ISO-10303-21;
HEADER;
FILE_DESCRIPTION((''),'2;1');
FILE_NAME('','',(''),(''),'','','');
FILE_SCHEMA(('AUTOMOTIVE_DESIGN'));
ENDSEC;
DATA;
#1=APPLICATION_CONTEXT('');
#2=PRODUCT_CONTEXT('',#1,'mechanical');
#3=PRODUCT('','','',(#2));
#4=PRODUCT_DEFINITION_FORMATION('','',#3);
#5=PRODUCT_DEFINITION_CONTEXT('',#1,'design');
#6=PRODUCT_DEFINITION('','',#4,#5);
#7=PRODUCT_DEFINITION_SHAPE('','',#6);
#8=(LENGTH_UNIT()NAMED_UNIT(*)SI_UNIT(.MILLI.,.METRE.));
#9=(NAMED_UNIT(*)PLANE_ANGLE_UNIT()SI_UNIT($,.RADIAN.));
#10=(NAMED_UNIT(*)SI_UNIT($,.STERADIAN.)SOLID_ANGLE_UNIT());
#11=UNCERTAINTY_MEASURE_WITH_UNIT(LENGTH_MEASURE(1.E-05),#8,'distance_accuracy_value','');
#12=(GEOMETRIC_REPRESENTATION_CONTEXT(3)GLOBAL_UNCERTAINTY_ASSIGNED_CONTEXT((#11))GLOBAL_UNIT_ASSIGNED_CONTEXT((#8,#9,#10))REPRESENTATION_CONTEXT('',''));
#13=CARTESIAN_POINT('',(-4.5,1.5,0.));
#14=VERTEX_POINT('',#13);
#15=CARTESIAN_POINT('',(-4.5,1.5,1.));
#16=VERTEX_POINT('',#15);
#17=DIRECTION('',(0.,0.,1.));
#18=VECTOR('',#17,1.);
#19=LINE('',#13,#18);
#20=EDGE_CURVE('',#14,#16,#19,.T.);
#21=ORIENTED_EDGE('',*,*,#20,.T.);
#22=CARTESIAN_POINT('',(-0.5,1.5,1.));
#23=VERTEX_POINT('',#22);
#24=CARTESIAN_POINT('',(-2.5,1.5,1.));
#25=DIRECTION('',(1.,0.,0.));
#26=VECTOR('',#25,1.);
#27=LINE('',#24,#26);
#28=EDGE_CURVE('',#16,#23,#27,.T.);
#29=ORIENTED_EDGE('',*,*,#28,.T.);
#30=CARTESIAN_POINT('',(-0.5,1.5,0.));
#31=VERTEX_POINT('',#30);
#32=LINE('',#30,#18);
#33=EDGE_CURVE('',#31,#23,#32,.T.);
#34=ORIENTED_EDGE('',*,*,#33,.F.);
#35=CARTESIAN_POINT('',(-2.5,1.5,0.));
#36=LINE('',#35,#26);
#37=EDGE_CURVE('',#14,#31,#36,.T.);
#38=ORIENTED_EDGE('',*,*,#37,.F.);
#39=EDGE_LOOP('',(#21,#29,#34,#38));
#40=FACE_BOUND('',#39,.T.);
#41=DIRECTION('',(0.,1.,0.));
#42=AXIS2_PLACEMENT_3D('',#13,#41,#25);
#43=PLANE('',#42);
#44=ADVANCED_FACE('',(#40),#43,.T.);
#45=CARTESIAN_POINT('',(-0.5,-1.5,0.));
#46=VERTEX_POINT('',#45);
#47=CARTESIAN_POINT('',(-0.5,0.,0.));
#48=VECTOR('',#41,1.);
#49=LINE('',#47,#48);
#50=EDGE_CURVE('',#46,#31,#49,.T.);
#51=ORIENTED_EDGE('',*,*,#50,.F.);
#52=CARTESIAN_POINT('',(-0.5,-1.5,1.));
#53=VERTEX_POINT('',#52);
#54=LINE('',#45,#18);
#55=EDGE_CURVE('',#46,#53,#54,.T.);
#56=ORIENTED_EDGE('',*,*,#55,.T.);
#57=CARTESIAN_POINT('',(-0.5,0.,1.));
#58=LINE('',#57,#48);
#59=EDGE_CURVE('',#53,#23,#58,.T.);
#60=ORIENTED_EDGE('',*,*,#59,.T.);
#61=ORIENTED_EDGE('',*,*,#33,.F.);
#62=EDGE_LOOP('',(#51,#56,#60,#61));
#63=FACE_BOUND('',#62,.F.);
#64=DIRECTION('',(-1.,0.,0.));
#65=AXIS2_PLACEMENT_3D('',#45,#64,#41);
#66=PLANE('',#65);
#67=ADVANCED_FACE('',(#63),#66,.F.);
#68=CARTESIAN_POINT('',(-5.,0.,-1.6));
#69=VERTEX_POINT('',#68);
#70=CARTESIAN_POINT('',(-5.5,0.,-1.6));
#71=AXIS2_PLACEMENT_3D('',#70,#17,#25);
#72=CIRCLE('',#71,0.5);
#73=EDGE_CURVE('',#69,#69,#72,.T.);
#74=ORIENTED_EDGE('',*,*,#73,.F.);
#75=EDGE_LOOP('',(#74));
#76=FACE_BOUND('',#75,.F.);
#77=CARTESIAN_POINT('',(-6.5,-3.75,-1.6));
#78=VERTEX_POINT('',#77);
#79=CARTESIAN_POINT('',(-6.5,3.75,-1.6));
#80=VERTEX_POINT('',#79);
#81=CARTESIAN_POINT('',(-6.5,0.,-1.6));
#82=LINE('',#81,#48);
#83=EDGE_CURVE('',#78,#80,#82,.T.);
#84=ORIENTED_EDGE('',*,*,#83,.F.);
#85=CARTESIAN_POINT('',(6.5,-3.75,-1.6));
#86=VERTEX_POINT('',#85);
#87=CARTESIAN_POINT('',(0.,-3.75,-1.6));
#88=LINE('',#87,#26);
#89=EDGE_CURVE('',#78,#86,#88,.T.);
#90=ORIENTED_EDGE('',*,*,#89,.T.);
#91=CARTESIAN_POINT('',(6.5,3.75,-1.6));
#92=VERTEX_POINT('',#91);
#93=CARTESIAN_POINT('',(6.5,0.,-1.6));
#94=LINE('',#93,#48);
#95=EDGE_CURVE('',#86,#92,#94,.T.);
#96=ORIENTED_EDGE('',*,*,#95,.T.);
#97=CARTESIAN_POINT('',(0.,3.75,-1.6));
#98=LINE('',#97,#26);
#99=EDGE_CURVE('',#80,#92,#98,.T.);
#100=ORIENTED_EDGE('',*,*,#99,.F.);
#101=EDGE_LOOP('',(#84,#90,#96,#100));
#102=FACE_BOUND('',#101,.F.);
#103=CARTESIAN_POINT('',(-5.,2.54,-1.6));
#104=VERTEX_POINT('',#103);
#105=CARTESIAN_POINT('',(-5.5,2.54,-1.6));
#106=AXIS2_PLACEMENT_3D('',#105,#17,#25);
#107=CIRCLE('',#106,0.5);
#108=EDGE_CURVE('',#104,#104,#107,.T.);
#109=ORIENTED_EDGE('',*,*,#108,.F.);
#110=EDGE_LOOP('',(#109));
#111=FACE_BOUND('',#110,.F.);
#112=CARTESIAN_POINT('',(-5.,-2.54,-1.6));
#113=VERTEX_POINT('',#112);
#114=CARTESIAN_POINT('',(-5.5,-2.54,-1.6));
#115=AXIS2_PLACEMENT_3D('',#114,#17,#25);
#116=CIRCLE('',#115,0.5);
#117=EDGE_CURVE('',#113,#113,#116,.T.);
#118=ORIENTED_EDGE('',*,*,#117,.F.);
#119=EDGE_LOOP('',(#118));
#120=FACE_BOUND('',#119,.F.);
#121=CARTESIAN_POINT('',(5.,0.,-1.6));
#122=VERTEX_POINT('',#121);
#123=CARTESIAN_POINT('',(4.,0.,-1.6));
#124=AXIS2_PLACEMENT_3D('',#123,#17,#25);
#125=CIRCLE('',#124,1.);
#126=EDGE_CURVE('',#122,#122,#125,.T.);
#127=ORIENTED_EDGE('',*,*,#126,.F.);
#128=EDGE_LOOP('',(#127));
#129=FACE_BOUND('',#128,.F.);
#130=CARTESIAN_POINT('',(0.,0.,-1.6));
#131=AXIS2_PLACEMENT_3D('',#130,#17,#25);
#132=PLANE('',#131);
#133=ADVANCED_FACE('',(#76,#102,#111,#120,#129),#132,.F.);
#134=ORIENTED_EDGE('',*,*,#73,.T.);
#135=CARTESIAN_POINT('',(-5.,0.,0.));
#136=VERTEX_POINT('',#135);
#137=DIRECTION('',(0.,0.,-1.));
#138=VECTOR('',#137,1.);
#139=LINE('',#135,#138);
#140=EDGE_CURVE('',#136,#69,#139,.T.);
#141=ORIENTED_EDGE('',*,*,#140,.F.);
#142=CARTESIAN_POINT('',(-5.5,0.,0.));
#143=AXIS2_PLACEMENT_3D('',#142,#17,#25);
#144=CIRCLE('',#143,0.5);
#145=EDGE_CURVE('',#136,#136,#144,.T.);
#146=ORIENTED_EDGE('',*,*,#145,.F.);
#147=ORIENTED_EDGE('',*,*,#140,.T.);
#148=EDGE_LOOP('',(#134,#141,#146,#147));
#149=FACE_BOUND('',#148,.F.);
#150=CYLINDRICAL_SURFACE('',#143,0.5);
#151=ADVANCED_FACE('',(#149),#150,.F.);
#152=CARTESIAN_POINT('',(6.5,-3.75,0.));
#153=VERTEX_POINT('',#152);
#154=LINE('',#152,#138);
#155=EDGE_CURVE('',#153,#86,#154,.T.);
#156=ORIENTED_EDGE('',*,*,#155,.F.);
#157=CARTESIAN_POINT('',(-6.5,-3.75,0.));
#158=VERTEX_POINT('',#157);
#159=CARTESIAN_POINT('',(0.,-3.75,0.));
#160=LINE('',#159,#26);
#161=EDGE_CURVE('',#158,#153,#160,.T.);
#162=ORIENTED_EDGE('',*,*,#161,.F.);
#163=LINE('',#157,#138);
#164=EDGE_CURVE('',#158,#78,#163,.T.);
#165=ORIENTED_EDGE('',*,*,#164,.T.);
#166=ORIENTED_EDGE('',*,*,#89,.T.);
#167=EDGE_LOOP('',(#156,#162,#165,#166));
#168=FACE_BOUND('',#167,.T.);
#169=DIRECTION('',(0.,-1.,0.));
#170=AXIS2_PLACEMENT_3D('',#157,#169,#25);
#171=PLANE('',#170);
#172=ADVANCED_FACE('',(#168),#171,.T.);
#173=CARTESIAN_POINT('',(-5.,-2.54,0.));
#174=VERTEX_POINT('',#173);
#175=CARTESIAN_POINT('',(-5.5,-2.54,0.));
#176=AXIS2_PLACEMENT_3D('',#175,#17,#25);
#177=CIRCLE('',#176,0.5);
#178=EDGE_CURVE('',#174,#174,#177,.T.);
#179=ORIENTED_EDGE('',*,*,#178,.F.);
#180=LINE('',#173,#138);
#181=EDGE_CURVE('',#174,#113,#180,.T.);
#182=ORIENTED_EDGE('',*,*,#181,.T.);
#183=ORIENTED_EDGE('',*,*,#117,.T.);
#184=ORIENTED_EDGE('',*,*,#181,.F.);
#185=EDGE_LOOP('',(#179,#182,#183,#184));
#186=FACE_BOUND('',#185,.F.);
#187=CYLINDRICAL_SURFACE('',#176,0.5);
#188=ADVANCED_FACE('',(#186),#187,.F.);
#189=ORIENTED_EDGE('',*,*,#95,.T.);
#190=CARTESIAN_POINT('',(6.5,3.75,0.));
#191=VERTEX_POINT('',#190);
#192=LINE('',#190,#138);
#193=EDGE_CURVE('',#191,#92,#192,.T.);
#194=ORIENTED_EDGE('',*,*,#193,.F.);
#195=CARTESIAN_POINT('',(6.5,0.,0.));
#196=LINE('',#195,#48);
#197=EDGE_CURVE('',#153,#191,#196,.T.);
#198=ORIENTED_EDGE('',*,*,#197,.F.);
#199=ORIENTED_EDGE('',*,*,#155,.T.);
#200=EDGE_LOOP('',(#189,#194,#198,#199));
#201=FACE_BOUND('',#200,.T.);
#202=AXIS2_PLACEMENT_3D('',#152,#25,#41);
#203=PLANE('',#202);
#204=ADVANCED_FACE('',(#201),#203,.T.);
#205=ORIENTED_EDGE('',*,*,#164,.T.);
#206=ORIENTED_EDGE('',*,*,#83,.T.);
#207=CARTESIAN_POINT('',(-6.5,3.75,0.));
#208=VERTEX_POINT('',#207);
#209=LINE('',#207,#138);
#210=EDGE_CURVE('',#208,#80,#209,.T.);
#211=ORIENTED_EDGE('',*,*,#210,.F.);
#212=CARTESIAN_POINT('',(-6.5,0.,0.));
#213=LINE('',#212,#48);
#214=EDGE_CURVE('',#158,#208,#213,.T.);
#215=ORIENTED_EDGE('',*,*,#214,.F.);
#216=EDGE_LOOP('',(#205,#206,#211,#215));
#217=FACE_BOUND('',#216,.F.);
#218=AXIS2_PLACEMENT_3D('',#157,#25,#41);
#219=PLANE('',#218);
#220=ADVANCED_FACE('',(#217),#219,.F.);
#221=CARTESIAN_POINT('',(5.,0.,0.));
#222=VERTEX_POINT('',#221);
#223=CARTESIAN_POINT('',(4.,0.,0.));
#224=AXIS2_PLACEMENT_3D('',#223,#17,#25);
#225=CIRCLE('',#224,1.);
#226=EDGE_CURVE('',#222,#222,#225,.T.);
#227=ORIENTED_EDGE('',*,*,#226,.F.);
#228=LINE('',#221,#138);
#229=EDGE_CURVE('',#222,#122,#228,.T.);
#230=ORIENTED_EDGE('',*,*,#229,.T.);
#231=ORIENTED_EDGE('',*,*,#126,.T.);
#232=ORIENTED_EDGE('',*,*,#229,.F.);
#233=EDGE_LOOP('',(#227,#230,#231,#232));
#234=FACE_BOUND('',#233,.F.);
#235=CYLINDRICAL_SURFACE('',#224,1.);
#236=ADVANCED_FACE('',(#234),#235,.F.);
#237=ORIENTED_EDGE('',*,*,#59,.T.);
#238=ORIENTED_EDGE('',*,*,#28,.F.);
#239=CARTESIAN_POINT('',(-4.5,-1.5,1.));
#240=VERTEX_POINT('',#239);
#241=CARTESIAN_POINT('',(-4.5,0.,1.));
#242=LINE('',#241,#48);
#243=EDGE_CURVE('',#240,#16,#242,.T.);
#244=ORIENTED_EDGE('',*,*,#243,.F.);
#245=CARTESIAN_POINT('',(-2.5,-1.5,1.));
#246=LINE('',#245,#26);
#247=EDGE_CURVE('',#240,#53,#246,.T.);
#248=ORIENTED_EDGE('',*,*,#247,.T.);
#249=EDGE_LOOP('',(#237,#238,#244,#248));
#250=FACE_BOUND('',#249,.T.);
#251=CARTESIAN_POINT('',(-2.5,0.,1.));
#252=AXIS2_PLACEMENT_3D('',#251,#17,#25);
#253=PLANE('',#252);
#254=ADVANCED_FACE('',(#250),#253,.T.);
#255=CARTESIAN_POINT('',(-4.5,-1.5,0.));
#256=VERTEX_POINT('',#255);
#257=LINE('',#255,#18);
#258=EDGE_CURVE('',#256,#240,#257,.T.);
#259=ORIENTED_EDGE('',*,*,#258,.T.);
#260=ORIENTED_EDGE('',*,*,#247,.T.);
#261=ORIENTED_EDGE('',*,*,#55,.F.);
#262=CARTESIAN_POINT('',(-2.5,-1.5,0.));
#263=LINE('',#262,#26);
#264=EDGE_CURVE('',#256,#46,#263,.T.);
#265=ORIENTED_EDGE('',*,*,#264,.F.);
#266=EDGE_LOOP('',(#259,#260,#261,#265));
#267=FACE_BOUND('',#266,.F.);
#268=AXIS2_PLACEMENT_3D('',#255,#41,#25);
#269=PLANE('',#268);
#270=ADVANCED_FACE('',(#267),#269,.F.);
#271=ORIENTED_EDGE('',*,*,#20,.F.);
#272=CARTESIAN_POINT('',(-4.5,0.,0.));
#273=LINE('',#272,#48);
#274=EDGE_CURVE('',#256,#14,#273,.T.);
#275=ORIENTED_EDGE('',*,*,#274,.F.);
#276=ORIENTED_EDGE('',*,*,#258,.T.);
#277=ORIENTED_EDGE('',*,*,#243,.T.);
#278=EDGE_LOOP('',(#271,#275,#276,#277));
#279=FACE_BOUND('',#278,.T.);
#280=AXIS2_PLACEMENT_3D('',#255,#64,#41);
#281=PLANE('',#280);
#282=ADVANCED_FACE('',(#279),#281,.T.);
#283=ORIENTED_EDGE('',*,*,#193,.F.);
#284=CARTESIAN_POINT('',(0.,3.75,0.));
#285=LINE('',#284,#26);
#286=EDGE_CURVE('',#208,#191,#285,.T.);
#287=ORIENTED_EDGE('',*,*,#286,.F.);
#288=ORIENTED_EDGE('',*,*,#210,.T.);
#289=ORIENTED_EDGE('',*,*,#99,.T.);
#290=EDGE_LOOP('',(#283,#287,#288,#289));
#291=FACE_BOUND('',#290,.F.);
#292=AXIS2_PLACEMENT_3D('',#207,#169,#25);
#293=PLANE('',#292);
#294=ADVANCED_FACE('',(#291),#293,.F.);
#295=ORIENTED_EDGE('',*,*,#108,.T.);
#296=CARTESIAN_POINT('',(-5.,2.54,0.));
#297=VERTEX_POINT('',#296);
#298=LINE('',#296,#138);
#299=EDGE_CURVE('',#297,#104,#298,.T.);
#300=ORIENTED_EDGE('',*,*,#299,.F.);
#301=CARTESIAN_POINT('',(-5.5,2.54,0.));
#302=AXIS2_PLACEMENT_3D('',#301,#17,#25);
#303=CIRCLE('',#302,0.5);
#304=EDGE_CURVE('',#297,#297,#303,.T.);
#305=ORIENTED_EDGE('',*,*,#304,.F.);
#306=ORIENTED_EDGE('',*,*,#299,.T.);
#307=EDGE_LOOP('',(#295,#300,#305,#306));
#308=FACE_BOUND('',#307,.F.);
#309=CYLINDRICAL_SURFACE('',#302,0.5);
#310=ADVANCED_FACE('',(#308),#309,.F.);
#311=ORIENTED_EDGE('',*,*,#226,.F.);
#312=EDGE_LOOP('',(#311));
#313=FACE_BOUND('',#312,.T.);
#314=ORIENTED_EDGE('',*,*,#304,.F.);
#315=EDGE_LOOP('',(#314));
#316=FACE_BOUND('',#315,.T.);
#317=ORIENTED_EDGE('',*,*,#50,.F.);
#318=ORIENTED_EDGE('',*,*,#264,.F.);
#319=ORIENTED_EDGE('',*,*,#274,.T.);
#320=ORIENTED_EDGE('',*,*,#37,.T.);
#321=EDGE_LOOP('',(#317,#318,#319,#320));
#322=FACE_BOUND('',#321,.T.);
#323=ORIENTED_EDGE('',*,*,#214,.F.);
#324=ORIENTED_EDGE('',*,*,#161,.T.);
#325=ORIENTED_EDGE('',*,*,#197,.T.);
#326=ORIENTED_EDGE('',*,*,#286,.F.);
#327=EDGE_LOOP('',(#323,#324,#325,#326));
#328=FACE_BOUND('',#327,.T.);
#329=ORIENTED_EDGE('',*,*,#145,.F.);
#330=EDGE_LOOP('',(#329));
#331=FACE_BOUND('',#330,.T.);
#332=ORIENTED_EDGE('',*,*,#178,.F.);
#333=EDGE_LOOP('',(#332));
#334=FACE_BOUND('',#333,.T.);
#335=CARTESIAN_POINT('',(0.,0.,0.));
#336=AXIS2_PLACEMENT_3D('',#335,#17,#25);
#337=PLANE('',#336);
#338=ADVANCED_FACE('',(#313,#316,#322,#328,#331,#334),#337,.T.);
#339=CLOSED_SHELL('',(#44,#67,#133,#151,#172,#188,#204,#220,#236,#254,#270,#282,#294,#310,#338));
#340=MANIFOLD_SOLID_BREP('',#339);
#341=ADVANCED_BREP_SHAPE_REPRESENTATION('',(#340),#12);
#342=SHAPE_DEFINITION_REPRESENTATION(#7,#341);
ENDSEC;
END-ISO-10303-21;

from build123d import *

# Parameters (mm, degrees)
F0_W     = 13
F0_H     = 7.5
F0_R     = 0.5
F0_W_2   = 4
F0_H_2   = 3
F0_R_2   = 1
F1_DEPTH = 1.6
F2_DEPTH = 1


with BuildPart() as f1:
    # F0 (on Top) → F1 (new body)
    with BuildSketch(Plane.XY):
        Rectangle(F0_W, F0_H)
        with Locations((-5.5, -2.54)):
            Circle(F0_R, mode=Mode.SUBTRACT)
        with Locations((-5.5, 0)):
            Circle(F0_R, mode=Mode.SUBTRACT)
        with Locations((-2.5, 0)):
            Rectangle(F0_W_2, F0_H_2, mode=Mode.SUBTRACT)
        with Locations((-5.5, 2.54)):
            Circle(F0_R, mode=Mode.SUBTRACT)
        with Locations((4, 0)):
            Circle(F0_R_2, mode=Mode.SUBTRACT)
        with Locations((-2.5, 0)):
            Rectangle(F0_W_2, F0_H_2)
    extrude(amount=-F1_DEPTH)

    # F0 (on Top) → F2 (join)
    with BuildSketch(Plane.XY):
        with Locations((-2.5, 0)):
            Rectangle(F0_W_2, F0_H_2)
    extrude(amount=F2_DEPTH)


solid = f1.part
